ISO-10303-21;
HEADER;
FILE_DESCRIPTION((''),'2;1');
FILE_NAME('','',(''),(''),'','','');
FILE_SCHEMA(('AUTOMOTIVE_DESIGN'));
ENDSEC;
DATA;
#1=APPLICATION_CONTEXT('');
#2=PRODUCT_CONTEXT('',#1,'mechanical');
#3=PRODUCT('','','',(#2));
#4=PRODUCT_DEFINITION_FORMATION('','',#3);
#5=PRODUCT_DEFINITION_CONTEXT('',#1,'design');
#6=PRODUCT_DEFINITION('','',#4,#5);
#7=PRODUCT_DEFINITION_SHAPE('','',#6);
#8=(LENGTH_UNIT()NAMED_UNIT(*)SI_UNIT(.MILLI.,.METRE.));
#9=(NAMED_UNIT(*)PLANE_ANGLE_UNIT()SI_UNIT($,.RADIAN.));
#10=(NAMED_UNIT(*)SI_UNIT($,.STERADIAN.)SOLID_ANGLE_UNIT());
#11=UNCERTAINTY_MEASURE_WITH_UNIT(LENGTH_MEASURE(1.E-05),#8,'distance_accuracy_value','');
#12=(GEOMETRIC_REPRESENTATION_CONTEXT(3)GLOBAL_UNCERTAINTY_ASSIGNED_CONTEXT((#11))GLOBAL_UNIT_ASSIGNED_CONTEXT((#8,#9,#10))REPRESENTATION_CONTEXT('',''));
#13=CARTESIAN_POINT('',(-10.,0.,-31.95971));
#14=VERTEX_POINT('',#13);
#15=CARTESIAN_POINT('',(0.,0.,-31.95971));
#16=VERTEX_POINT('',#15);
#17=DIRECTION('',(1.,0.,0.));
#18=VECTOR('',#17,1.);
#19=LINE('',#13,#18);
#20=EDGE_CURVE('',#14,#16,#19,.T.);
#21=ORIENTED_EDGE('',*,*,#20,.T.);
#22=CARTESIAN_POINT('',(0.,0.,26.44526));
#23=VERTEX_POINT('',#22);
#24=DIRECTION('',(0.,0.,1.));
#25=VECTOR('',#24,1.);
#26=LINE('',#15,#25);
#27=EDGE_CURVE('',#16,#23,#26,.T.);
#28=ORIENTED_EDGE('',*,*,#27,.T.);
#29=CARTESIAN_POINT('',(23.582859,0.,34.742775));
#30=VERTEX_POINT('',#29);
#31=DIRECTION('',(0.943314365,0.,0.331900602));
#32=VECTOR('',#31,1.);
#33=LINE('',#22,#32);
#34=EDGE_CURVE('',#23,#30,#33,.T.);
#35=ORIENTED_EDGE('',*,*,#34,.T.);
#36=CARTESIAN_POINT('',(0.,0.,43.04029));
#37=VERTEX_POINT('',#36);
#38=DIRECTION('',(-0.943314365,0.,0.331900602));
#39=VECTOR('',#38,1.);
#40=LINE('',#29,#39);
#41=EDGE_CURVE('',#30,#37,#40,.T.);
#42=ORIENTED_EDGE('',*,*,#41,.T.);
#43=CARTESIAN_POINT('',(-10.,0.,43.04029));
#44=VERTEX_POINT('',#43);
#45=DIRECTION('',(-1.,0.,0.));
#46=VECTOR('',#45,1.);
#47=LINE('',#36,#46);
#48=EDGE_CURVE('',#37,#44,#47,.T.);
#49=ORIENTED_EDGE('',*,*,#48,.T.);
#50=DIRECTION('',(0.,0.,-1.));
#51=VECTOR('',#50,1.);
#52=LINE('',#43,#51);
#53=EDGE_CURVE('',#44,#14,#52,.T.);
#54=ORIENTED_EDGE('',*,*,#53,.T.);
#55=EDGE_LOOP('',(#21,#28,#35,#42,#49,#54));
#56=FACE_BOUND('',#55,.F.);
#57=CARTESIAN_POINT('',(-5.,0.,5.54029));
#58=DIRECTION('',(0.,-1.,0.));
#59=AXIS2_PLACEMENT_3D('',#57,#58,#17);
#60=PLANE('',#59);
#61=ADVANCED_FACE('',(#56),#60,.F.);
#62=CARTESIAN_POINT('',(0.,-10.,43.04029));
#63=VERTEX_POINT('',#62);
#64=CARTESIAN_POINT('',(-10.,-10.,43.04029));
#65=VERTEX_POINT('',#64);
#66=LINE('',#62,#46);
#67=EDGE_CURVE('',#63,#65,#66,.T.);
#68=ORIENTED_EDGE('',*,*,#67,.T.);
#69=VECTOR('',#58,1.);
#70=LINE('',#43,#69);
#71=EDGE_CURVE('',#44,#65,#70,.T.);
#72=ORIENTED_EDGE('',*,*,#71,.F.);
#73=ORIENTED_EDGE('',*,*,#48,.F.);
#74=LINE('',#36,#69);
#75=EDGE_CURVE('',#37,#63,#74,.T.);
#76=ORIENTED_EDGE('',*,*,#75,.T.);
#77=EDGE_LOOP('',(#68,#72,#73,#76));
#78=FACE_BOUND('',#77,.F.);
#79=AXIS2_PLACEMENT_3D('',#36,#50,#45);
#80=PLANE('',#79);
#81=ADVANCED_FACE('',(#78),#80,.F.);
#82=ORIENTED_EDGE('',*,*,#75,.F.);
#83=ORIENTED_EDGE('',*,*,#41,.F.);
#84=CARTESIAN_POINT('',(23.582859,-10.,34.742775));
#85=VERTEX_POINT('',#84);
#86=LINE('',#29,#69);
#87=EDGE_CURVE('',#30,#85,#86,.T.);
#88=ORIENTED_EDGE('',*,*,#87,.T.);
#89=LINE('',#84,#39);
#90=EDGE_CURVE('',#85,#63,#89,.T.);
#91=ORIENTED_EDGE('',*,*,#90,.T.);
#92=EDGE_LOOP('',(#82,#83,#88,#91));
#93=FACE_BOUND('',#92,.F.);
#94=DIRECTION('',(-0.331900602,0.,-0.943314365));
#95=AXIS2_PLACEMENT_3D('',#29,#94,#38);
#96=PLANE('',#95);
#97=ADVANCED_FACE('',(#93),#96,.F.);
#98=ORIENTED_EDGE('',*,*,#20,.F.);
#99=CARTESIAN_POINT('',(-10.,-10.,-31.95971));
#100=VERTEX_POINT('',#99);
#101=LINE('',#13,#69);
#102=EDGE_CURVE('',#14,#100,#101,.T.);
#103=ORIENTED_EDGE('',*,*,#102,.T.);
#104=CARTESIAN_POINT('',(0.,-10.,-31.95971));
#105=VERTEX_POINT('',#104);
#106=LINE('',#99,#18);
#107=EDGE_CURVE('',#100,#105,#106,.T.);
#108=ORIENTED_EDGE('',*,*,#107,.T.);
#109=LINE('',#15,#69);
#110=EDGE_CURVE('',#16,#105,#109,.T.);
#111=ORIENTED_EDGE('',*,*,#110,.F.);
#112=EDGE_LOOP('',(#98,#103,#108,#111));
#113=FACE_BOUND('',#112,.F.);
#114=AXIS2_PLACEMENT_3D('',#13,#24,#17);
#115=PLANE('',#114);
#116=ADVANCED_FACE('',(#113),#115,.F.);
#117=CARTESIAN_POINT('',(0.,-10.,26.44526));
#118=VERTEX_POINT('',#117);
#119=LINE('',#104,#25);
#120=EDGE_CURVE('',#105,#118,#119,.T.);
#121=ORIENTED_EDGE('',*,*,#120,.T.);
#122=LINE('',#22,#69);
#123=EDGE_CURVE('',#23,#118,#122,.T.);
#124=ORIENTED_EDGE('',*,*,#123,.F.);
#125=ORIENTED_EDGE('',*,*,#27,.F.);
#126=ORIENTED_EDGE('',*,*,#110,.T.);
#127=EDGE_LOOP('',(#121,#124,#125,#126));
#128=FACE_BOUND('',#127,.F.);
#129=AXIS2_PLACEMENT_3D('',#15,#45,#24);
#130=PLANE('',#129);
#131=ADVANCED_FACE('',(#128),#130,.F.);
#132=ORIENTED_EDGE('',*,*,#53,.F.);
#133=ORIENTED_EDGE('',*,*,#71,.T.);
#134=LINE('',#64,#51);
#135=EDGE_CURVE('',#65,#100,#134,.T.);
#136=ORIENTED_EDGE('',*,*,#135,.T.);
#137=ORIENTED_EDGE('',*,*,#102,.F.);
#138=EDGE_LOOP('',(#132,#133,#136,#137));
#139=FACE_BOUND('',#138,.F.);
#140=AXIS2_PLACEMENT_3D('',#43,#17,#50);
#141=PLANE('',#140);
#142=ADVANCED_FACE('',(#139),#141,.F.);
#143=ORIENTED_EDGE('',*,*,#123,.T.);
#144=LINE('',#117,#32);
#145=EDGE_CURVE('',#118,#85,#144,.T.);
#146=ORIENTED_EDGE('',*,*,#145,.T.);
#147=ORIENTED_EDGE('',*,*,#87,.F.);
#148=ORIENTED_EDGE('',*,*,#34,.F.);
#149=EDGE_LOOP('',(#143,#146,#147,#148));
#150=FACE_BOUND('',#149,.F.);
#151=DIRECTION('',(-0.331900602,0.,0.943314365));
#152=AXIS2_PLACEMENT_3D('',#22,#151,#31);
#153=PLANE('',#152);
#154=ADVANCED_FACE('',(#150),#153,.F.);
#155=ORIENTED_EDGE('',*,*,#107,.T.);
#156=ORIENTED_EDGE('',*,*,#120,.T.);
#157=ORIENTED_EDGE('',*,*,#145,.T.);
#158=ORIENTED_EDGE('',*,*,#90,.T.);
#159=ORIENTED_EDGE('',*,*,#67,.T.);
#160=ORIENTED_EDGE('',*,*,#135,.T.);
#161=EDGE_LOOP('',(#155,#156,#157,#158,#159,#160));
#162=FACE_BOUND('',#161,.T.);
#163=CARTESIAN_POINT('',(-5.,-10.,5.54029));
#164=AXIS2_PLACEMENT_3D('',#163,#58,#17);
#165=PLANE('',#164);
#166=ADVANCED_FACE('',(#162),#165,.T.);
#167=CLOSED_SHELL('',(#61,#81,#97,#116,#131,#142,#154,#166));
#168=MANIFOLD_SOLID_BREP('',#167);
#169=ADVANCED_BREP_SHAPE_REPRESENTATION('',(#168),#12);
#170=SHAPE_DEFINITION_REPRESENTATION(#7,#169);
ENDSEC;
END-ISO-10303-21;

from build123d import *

# Parameters (mm, degrees)
F1_DEPTH = 10
F2_DEPTH = 10


with BuildPart() as f1:
    # F0 (on Front) → F1 (new body)
    with BuildSketch(Plane.XZ):
        Polygon((0, 26.44526), (0, 43.04029), (-10, 43.04029), (-10, -31.95971), (0, -31.95971), align=None)
    extrude(amount=F1_DEPTH)

    # F0 (on Front) → F2 (join)
    with BuildSketch(Plane.XZ):
        Polygon((0, 26.44526), (0, 43.04029), (-10, 43.04029), (-10, -31.95971), (0, -31.95971), align=None)
        Polygon((23.582859, 34.742775), (0, 43.04029), (0, 26.44526), align=None)
    extrude(amount=F2_DEPTH)


solid = f1.part
